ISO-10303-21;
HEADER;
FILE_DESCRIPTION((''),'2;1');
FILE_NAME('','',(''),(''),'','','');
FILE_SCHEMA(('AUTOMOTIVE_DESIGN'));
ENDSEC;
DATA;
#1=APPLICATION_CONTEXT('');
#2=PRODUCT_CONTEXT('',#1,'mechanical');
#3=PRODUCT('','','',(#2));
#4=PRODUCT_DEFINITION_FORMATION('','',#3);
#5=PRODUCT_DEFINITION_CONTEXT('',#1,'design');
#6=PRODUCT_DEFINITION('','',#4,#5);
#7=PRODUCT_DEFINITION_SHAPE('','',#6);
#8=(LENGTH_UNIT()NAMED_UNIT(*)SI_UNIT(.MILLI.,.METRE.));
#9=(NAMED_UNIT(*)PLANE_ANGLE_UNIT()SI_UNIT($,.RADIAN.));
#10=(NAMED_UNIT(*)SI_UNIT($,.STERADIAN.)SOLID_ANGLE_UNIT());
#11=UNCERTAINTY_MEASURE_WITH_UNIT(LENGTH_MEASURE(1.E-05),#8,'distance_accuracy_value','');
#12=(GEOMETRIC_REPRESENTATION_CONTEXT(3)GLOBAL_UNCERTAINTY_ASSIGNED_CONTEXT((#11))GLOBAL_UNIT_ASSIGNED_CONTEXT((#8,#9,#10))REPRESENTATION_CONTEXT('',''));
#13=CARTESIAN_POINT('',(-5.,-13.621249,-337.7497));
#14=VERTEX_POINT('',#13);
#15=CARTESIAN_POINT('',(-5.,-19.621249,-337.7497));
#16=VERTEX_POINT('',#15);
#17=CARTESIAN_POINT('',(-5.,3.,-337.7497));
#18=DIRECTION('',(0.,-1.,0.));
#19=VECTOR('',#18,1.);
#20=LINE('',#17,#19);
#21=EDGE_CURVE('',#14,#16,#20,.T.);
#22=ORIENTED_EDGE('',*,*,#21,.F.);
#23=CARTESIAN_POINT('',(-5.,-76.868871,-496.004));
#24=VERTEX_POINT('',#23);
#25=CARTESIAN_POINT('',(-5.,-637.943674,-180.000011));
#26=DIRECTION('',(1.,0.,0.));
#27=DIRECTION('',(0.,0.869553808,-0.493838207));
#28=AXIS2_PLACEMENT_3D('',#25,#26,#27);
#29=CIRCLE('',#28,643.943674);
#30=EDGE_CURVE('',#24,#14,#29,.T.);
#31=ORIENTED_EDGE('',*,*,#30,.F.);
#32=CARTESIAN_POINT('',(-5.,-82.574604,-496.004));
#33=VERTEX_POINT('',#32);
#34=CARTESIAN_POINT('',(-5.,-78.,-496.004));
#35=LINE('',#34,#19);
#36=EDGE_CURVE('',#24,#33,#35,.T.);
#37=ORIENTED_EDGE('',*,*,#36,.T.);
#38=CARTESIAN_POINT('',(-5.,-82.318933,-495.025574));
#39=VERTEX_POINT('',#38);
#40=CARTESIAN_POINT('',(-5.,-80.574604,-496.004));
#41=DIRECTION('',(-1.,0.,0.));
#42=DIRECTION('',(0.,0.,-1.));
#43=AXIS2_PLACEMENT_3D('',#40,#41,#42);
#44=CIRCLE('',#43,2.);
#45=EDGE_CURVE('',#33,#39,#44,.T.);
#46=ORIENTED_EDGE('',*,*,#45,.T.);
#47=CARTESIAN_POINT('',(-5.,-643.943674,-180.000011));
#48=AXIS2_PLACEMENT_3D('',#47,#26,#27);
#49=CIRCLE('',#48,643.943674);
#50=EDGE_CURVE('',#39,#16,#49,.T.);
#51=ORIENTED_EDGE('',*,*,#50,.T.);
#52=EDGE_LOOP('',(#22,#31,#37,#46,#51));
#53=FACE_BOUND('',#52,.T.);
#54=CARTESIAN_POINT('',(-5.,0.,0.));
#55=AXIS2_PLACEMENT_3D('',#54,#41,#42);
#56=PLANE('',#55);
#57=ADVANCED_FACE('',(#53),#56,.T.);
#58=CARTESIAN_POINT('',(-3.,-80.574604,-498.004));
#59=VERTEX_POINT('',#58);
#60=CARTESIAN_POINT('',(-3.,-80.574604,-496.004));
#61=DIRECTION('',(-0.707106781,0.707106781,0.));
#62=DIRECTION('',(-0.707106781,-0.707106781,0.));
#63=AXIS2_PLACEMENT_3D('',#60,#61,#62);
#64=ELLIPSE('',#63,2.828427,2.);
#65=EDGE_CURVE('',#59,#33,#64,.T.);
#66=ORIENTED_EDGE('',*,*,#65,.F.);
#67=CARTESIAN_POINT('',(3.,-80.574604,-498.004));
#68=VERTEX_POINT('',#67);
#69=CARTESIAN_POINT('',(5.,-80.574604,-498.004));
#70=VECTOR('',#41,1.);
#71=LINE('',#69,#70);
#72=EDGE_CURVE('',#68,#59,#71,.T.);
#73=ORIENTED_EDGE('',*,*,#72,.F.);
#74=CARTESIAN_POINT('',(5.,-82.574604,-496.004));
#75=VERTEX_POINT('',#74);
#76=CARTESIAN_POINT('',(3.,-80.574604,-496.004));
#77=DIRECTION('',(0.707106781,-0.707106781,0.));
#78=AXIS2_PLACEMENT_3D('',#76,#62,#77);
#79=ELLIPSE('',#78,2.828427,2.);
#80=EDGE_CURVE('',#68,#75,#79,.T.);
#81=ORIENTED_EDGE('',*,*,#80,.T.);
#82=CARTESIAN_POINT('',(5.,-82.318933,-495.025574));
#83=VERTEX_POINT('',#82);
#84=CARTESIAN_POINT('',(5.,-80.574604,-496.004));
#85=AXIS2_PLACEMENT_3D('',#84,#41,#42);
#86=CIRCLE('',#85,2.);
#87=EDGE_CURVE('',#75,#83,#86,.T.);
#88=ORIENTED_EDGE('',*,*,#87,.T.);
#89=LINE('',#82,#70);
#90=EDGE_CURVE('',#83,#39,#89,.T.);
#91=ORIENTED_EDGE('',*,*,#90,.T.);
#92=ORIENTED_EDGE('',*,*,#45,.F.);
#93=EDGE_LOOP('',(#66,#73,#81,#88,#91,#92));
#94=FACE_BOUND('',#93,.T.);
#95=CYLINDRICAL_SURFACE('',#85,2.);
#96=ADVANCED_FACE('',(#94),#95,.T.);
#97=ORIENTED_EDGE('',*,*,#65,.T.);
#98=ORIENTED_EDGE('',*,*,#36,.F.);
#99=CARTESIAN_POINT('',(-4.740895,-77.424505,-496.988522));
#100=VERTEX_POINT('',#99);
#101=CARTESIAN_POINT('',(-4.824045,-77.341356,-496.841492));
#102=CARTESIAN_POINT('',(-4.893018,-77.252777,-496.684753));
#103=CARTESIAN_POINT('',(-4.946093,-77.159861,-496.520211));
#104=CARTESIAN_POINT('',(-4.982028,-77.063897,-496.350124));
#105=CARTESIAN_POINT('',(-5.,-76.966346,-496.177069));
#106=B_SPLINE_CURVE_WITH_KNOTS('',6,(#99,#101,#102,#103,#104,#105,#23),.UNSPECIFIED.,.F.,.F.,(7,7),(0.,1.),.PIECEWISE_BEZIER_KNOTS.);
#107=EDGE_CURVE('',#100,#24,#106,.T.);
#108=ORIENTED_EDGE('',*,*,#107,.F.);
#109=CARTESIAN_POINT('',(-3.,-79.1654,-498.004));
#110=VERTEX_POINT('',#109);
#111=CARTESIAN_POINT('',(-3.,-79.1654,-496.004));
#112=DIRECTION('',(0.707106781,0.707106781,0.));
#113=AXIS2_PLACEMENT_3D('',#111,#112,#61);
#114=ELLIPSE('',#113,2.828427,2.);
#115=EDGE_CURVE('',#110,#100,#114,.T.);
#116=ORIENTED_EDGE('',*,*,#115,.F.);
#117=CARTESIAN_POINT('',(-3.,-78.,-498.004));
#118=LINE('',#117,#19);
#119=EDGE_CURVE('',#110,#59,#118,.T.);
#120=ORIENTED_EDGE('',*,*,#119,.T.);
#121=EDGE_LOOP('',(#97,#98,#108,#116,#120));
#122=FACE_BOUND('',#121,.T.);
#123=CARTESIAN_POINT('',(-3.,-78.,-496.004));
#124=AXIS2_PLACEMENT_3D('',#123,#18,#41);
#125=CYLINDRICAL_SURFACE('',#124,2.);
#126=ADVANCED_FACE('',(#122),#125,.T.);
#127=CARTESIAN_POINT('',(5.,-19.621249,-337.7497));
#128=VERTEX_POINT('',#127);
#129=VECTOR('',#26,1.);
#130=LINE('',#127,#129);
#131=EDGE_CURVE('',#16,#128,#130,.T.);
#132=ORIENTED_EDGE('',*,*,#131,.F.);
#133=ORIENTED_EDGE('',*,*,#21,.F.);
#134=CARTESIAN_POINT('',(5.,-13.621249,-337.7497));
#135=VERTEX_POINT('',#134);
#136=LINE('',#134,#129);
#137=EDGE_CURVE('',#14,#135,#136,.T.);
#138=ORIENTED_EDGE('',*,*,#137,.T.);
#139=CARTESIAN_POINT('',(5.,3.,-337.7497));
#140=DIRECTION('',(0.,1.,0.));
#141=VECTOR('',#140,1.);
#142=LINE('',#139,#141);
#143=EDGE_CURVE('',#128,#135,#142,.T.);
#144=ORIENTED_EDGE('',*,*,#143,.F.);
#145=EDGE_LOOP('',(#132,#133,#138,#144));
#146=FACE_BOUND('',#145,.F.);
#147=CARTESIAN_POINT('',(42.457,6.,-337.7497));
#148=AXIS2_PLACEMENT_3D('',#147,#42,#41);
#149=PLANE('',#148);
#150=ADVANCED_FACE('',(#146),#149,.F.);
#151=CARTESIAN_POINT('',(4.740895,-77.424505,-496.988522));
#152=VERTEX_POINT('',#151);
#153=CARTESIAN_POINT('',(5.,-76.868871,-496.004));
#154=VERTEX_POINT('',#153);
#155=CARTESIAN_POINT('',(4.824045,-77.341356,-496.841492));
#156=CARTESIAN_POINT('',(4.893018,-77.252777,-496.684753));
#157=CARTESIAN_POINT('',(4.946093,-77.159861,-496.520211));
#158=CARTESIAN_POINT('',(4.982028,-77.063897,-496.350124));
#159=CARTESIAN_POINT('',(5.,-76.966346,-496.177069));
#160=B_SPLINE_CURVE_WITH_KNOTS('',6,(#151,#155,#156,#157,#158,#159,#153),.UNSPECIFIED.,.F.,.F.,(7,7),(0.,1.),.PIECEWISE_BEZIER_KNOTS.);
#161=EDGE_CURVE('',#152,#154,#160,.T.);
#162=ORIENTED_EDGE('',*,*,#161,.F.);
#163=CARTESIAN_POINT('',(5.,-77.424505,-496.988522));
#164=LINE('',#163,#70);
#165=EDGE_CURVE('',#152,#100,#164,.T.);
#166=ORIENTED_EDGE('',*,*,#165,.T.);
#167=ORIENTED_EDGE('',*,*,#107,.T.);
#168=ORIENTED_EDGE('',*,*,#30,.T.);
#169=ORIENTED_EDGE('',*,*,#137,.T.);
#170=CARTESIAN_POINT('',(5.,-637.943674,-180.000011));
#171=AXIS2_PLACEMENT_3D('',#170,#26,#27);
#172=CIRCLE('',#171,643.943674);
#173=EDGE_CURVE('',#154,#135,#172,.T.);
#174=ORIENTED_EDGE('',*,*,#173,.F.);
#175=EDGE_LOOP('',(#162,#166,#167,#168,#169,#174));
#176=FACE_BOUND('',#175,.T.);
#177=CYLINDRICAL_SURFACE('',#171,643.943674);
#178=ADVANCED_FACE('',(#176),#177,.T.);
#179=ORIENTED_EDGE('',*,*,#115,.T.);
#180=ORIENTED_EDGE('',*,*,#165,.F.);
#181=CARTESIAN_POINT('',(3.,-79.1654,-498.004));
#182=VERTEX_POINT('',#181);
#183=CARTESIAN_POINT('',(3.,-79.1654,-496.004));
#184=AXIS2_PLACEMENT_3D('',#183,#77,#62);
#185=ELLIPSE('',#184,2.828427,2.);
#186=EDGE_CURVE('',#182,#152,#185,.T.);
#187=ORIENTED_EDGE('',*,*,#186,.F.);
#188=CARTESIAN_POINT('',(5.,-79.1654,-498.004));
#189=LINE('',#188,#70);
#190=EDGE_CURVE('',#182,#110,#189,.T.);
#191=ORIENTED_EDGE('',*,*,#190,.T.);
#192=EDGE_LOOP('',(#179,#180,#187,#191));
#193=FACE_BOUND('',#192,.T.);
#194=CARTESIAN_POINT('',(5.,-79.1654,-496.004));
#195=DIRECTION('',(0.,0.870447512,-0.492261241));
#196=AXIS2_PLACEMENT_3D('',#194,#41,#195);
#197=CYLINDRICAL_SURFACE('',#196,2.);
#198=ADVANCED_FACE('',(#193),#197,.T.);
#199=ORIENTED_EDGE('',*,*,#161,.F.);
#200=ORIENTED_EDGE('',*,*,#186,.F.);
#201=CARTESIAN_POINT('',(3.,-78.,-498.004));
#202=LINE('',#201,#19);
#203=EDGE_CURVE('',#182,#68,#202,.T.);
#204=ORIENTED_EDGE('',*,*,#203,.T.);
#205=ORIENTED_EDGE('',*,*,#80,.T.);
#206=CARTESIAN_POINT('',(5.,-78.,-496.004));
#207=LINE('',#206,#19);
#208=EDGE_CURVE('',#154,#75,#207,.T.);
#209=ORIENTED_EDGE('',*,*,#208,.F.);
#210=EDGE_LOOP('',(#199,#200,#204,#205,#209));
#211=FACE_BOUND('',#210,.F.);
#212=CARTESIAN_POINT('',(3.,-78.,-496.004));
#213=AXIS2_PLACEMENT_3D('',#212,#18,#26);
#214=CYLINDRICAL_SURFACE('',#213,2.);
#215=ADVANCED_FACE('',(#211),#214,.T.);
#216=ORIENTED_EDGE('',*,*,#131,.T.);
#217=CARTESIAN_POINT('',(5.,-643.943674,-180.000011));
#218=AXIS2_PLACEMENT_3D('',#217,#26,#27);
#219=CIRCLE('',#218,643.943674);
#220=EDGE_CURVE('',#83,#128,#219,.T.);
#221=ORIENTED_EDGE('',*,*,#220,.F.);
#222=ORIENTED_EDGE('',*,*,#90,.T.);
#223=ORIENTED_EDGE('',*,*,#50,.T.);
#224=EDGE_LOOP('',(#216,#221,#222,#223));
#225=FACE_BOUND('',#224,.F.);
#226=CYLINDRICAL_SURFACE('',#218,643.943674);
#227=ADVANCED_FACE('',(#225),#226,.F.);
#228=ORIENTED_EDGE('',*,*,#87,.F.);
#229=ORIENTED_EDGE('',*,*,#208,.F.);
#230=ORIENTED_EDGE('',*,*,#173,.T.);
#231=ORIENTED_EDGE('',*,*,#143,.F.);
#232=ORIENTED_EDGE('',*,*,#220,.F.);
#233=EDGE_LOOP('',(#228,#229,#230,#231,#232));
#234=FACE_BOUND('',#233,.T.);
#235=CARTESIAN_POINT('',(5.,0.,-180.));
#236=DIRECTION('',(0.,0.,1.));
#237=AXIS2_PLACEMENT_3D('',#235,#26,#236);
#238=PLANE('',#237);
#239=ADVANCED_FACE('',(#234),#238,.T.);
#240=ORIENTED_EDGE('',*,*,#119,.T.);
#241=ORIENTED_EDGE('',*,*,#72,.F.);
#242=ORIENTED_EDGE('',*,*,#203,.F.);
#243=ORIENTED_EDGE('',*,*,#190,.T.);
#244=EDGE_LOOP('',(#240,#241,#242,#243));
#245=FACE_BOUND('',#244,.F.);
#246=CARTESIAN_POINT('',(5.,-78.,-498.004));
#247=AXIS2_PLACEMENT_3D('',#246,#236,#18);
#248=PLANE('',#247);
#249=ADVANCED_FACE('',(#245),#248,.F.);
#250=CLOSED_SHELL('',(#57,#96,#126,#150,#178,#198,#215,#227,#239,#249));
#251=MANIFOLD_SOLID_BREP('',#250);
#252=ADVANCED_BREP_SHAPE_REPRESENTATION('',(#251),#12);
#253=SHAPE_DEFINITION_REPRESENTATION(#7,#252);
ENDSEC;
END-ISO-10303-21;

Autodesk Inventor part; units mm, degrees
ref_plane "YZ Plane" through (0, 0, 0) normal (1, 0, 0) x (0, 1, 0)
ref_plane "XZ Plane" through (0, 0, 0) normal (0, 1, 0) x (-1, 0, 0)
ref_plane "XY Plane" through (0, 0, 0) normal (0, 0, 1) x (1, 0, 0)
sketch "Sketch1" plane through (0, 0, 0) normal (0, 1, 0) x (-1, 0, 0)
  line L0 (0, 0) -> (0, -180) construction
  line L1 (5, 0) -> (5, -180)
  line L2 (-5, -180) -> (-5, 0)
  arc A0 (5, 0) -> (-5, 0) centre (0, 0) ccw
  arc A1 (-5, -180) -> (5, -180) centre (0, -180) ccw
  circle A2 centre (0, 0) radius 1.65
  line L3 (0, -40) -> (0, -140) construction
  line L4 (1.65, -40) -> (1.65, -140)
  line L5 (-1.65, -140) -> (-1.65, -40)
  arc A3 (1.65, -40) -> (-1.65, -40) centre (0, -40) ccw
  arc A4 (-1.65, -140) -> (1.65, -140) centre (0, -140) ccw
  point P0 (0, -90)
  point P1 (0, -90)
  dimension "d0" = 180
  dimension "d1" = 10
  dimension "d2" = 3.3
  dimension "d3" = 40
  dimension "d5" = 140
  dimension "d6" = 3.3
extrude "Extrusion1" add sketch "Sketch1" along normal blind 6
sketch "Sketch2" plane through (5, 0, 0) normal (1, 0, 0) x (0, 0, -1)
  line L0 (180, 0) -> (180, 6) projected
  line L1 (0, 0) -> (180, 0) projected
  line L2 (180, 0) -> (180, 6) projected
  line L3 (0, 6) -> (180, 6) projected
  line L4 (0, 0) -> (0, 6) projected
  line L5 (180, 0) -> (180, 0) projected
  line L6 (180, 0) -> (180, 6) projected
  line L7 (180, 6) -> (180, 6) projected
  line L8 (180, 0) -> (180, 6) projected
  line L9 (180, 0) -> (0, 0) projected
  arc A0 (498.004, -84) -> (180, 0) centre (180, -643.9437) ccw
  line L10 (180, 6) -> (0, 6) projected
  arc A1 (498.004, -78) -> (180, 6) centre (180, -637.9437) ccw
  line L11 (498.004, -78) -> (498.004, -84)
  line L12 (0, 0) -> (180, 0) projected
  dimension "d9" = 6
  dimension "d10" = 498.004
  dimension "d11" = 90
extrude "Extrusion2" add sketch "Sketch2" against normal blind 10 contours L0 A1 L11 A0
fillet "Fillet1" radius 2 4 edges at (0, -78, -498.004) (5, -81, -498.004) (-5, -81, -498.004) (0, -84, -498.004)
sketch "Sketch3" plane through (0, 6, 0) normal (0, 1, 0) x (1, 0, 0)
  line L0 (-25.1236, -17.4365) -> (19.1239, -17.4365)
  line L1 (19.1239, -17.4365) -> (19.1239, 173.8027)
  line L2 (19.1239, 173.8027) -> (-25.1236, 173.8027)
  line L3 (-25.1236, 173.8027) -> (-25.1236, -17.4365)
  line L4 (-48.0471, -35.7333) -> (42.457, -35.7333)
  line L5 (42.457, -35.7333) -> (42.457, 337.7497)
  line L6 (42.457, 337.7497) -> (-48.0471, 337.7497)
  line L7 (-48.0471, 337.7497) -> (-48.0471, -35.7333)
  line L8 (-102.0639, -92.3443) -> (98.6132, -92.3443)
  line L9 (98.6132, -92.3443) -> (98.6132, 617.9416)
  line L10 (98.6132, 617.9416) -> (-102.0639, 617.9416)
  line L11 (-102.0639, 617.9416) -> (-102.0639, -92.3443)
  point P0 (0, 0)
extrude "Extrusion3" cut sketch "Sketch3" against normal blind 100 contours L3 L2 L1 L0 | L7 L6 L5 L4
properties part number "Part_8_p1"
